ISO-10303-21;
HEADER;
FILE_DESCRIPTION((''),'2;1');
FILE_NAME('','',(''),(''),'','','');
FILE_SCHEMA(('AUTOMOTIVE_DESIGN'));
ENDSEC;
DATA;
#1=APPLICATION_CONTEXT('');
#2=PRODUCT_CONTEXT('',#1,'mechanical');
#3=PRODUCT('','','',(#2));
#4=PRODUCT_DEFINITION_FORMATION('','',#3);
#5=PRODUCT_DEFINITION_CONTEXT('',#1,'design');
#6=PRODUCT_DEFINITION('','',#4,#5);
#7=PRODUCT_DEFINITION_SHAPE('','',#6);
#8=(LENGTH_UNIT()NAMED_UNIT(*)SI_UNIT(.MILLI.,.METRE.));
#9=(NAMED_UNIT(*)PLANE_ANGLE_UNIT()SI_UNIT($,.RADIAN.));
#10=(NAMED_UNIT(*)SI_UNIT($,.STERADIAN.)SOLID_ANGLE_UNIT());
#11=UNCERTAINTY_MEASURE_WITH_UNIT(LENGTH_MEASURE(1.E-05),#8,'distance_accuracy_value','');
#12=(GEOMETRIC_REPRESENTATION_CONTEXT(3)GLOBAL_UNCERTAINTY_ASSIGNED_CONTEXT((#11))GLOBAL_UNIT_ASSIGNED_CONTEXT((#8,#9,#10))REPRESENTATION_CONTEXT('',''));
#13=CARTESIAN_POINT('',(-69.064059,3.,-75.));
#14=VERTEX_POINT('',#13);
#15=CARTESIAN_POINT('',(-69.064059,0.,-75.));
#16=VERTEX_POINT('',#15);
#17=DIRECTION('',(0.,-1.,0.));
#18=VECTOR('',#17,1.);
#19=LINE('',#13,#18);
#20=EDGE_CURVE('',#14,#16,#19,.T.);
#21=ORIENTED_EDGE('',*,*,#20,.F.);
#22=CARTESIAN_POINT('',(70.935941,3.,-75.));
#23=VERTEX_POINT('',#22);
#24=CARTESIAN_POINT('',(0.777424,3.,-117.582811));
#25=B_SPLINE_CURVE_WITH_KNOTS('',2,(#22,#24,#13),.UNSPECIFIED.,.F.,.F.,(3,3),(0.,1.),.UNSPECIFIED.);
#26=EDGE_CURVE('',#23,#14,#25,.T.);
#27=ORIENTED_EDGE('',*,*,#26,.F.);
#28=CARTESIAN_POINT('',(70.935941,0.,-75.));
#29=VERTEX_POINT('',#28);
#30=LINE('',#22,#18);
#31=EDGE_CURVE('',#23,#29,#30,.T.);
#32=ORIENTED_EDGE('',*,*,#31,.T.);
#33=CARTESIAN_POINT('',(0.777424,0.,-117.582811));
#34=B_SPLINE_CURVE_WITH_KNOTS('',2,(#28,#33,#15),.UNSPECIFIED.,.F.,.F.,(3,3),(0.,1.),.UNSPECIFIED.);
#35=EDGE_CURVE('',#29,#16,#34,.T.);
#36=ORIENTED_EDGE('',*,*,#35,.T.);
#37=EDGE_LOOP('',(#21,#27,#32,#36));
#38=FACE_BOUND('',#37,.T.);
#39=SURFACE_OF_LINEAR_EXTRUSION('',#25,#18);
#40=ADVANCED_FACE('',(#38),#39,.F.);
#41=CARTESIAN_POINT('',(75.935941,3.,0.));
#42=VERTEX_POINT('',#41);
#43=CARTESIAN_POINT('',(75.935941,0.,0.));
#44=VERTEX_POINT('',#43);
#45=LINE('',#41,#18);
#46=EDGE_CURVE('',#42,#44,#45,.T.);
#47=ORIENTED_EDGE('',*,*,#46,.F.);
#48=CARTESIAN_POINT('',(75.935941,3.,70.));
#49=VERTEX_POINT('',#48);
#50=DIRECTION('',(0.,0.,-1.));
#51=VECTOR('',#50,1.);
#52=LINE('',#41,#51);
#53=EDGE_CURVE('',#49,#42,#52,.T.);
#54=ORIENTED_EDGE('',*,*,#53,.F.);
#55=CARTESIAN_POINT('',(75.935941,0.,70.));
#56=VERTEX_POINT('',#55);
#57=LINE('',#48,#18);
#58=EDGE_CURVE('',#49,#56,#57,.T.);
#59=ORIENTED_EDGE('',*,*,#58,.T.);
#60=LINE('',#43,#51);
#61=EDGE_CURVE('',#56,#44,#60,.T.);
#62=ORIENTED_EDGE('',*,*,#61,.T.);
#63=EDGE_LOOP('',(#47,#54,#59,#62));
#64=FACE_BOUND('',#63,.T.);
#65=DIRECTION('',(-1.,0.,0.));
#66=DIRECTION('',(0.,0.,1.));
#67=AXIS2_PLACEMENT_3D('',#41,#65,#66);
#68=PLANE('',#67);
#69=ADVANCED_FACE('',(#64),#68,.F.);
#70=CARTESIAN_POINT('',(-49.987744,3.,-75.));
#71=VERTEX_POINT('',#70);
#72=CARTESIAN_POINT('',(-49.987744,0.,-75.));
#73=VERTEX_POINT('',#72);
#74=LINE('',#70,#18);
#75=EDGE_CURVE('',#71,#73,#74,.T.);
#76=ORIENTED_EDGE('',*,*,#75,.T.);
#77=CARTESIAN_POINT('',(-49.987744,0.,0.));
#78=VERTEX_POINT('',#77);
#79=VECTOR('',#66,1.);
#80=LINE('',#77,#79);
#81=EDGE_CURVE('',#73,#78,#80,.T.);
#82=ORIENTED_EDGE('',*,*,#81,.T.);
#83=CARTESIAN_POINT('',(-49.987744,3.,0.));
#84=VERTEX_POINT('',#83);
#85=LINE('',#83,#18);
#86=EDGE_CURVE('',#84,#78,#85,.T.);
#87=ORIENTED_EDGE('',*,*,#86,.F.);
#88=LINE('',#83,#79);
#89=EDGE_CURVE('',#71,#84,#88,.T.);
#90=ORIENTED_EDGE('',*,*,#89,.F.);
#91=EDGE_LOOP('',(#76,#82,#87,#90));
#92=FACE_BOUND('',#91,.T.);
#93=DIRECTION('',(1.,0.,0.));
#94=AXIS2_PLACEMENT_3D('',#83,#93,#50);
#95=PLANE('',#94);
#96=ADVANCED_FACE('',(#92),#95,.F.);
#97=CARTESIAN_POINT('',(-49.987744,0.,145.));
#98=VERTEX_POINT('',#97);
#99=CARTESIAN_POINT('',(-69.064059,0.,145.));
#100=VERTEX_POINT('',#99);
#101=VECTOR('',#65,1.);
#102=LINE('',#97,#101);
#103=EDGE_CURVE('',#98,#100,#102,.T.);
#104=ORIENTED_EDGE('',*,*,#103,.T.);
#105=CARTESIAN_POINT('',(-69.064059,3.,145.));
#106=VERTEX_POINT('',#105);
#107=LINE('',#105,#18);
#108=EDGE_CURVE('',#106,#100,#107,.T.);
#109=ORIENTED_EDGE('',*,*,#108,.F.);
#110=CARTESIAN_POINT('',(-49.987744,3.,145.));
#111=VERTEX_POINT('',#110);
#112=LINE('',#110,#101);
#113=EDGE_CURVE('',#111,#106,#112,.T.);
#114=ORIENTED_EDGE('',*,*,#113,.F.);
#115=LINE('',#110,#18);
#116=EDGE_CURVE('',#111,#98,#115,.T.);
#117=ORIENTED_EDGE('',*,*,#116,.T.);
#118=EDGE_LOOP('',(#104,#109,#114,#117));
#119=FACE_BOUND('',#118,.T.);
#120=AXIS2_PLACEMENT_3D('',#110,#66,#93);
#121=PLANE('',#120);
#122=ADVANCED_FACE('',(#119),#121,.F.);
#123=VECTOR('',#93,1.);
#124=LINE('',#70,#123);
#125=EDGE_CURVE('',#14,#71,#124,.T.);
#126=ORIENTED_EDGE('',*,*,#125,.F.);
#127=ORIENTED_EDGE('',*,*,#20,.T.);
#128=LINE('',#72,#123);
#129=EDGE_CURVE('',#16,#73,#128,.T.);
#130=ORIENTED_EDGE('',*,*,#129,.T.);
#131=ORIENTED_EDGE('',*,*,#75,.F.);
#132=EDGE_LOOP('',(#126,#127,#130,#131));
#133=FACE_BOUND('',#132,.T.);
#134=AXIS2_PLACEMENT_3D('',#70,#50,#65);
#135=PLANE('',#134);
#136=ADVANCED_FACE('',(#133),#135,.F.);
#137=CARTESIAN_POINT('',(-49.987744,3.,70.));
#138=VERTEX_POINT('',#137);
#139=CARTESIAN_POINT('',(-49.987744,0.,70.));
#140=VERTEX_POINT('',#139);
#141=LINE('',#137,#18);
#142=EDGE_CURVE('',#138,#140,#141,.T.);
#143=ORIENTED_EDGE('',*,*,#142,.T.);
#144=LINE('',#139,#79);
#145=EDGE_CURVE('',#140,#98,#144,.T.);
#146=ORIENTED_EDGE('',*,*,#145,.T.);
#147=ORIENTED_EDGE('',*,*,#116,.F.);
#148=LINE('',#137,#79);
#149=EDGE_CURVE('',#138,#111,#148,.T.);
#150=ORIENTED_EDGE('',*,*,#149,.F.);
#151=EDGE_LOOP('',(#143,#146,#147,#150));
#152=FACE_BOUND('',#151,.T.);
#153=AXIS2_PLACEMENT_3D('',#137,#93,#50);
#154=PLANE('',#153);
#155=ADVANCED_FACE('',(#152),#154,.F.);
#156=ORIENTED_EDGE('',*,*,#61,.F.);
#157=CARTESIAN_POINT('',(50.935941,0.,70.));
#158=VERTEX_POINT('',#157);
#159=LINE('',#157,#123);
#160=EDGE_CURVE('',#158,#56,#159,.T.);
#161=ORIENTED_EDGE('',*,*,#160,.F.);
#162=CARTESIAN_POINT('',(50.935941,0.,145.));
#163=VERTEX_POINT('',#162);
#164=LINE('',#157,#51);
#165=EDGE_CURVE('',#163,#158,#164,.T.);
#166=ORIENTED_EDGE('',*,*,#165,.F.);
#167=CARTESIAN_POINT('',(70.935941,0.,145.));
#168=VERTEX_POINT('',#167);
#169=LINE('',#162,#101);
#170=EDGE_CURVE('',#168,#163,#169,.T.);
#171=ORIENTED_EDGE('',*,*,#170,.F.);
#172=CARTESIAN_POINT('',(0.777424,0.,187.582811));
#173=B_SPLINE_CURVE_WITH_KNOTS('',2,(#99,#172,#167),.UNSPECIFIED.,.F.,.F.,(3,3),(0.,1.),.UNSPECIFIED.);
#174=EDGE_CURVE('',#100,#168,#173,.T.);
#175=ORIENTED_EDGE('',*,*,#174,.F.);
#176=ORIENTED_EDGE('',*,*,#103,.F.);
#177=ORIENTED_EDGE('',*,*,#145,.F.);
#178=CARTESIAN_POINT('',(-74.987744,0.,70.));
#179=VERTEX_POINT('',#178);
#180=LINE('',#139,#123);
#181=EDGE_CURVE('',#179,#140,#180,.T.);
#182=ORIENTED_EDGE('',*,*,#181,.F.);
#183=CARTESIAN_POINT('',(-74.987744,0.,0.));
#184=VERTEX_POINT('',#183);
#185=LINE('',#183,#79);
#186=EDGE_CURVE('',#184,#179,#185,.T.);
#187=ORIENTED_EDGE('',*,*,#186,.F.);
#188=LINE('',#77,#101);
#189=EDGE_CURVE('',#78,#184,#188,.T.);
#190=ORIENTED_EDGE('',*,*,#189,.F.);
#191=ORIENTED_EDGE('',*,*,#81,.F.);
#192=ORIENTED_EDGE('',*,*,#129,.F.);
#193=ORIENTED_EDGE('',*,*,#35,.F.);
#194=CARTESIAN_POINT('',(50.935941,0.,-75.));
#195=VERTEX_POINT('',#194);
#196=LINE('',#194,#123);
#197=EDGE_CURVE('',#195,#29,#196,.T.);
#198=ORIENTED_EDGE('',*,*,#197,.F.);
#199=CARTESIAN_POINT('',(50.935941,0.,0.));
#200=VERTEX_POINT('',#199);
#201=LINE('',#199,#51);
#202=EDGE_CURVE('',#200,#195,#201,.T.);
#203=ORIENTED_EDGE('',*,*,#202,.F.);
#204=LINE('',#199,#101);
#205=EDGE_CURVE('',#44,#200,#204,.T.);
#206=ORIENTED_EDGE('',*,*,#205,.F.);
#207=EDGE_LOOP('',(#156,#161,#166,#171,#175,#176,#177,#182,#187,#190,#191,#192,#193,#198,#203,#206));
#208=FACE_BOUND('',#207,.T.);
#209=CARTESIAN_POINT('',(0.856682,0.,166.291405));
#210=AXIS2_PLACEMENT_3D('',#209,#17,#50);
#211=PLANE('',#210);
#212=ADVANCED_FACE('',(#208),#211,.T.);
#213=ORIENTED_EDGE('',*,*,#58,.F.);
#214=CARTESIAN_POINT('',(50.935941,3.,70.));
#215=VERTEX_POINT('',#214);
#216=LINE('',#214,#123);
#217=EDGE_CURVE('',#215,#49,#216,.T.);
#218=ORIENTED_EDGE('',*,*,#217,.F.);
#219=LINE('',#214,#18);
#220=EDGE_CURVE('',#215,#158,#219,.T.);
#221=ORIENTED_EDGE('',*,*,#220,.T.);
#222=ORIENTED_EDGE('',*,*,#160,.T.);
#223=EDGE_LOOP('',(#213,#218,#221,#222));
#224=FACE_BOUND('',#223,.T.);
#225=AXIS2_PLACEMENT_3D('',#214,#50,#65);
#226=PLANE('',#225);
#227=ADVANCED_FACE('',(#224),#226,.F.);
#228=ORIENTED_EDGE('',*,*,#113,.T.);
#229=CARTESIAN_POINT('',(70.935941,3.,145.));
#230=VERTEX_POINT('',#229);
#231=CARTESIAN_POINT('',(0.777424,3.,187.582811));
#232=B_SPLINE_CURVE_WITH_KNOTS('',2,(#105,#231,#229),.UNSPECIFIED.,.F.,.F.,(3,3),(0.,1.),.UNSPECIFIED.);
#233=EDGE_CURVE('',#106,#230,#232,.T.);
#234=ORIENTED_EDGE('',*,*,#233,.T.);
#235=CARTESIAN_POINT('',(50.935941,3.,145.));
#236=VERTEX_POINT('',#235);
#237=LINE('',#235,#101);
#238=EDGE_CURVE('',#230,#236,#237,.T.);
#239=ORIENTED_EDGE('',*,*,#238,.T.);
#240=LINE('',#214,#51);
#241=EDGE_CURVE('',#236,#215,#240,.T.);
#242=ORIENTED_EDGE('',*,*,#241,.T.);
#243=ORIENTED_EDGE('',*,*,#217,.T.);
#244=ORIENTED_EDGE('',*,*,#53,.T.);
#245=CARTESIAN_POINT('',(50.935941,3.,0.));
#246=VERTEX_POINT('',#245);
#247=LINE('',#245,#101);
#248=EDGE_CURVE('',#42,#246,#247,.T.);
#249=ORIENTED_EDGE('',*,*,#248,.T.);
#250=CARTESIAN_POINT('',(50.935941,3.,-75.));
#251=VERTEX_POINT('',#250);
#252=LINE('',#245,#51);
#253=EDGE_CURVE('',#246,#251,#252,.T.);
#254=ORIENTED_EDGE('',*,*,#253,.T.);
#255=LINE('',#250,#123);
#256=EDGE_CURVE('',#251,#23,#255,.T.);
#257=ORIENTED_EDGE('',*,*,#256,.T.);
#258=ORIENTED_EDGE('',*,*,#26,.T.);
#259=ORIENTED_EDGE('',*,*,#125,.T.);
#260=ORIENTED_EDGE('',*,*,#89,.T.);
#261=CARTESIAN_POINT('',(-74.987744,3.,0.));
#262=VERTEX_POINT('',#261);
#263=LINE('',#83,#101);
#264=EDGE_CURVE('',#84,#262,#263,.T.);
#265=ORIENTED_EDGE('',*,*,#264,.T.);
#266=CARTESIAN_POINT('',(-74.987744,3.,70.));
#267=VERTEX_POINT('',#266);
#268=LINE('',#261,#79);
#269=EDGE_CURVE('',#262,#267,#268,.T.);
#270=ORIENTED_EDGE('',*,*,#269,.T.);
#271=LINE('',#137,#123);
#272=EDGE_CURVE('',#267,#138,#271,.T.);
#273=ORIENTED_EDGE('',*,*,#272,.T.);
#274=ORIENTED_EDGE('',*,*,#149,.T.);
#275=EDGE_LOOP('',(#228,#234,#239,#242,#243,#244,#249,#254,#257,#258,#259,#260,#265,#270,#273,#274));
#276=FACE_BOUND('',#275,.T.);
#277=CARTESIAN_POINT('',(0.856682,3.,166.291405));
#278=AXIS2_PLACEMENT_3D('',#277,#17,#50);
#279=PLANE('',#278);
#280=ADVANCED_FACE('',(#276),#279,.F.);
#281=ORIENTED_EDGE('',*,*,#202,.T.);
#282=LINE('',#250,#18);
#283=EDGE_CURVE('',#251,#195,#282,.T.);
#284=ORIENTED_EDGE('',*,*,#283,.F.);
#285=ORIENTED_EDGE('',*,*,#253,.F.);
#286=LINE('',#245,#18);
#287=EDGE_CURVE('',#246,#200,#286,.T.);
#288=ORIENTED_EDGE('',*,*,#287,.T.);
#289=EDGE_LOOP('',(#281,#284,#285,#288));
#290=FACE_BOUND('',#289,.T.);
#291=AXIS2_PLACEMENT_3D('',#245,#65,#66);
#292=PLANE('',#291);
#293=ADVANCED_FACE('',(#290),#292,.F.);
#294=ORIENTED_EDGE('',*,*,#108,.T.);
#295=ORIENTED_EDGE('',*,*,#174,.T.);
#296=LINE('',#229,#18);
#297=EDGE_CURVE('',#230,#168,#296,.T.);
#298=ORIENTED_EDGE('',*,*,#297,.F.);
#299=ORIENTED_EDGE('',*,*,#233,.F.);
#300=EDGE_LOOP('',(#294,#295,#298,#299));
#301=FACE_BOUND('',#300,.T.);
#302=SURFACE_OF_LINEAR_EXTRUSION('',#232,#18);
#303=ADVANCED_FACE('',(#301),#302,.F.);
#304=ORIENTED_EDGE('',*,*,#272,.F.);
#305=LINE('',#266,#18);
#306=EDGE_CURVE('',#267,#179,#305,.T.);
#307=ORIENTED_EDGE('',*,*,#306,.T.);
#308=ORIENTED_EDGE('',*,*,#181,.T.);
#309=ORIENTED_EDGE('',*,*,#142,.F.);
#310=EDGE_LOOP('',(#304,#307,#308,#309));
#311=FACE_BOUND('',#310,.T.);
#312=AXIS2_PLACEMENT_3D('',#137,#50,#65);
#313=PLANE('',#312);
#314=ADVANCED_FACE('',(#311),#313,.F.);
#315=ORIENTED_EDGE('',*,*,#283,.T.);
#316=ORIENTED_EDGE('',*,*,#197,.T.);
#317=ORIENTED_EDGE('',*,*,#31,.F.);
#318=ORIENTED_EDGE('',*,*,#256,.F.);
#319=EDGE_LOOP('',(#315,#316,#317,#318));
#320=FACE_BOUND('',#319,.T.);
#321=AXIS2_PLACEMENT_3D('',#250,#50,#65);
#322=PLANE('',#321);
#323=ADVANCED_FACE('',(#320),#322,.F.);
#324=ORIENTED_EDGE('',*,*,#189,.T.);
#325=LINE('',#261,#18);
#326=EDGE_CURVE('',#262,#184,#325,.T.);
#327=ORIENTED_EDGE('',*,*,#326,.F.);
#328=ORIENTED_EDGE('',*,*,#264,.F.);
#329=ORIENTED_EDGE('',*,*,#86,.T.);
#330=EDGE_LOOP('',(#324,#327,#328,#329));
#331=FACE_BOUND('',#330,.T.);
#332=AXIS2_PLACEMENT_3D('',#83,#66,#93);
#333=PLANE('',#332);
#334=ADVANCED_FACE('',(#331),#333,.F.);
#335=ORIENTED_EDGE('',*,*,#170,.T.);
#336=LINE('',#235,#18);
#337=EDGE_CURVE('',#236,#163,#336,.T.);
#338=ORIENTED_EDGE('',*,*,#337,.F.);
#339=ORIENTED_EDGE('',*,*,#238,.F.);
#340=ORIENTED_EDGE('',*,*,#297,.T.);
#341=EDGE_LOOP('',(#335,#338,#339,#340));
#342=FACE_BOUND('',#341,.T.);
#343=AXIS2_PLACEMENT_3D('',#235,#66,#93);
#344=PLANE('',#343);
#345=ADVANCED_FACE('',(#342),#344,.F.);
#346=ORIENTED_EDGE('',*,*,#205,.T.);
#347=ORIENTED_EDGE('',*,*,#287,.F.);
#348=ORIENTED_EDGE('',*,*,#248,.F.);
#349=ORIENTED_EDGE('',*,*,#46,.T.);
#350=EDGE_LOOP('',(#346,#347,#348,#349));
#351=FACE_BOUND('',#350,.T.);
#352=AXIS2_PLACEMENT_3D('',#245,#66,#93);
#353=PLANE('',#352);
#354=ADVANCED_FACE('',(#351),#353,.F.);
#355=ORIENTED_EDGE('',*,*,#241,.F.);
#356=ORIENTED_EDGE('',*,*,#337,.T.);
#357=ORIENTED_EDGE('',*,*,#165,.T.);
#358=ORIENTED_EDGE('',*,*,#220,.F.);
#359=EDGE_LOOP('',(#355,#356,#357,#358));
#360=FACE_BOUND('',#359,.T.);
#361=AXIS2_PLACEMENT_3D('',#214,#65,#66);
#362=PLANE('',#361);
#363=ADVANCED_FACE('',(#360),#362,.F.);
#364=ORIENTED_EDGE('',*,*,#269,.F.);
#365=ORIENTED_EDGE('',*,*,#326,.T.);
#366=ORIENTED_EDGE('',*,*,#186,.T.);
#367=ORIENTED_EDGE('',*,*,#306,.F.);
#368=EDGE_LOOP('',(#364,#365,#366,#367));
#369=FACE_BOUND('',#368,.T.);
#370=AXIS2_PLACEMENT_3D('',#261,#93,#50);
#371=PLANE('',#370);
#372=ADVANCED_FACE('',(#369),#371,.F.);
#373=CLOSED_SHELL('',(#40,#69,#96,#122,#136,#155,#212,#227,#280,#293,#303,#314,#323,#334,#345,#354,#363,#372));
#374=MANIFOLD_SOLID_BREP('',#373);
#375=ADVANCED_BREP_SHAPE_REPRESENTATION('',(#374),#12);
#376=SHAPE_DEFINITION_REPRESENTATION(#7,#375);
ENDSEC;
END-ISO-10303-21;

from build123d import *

# Parameters (mm, degrees)
EXTRUDE_1_DEPTH = 3


with BuildPart() as part:
    # 草图1 → 凸台-拉伸1 (new body)
    with BuildSketch(Plane(origin=(0, 0, 0), x_dir=(1, 0, 0), z_dir=(0, 1, 0))):
        with BuildLine():
            Line((-49.987744463, 0), (-49.987744463, 75))
            Line((-49.987744463, 75), (-69.064059337, 75))
            add(Edge.make_bspline(
                [(-69.064059337, 75), (0.777424166, 117.582810978), (70.935940663, 75)],
                knots=[0, 0, 0, 1, 1, 1], degree=2))
            Line((70.935940663, 75), (50.935940663, 75))
            Line((50.935940663, 75), (50.935940663, 0))
            Line((50.935940663, 0), (75.935940663, 0))
            Line((75.935940663, 0), (75.935940663, -70))
            Line((75.935940663, -70), (50.935940663, -70))
            Line((50.935940663, -70), (50.935940663, -145))
            Line((50.935940663, -145), (70.935940663, -145))
            add(Edge.make_bspline(
                [(-69.064059337, -145), (0.777424166, -187.582810978), (70.935940663, -145)],
                knots=[0, 0, 0, 1, 1, 1], degree=2))
            Line((-69.064059337, -145), (-49.987744463, -145))
            Line((-49.987744463, -145), (-49.987744463, -70))
            Line((-49.987744463, -70), (-74.987744463, -70))
            Line((-74.987744463, -70), (-74.987744463, 0))
            Line((-74.987744463, 0), (-49.987744463, 0))
        make_face()
    extrude(amount=EXTRUDE_1_DEPTH)


solid = part.part
